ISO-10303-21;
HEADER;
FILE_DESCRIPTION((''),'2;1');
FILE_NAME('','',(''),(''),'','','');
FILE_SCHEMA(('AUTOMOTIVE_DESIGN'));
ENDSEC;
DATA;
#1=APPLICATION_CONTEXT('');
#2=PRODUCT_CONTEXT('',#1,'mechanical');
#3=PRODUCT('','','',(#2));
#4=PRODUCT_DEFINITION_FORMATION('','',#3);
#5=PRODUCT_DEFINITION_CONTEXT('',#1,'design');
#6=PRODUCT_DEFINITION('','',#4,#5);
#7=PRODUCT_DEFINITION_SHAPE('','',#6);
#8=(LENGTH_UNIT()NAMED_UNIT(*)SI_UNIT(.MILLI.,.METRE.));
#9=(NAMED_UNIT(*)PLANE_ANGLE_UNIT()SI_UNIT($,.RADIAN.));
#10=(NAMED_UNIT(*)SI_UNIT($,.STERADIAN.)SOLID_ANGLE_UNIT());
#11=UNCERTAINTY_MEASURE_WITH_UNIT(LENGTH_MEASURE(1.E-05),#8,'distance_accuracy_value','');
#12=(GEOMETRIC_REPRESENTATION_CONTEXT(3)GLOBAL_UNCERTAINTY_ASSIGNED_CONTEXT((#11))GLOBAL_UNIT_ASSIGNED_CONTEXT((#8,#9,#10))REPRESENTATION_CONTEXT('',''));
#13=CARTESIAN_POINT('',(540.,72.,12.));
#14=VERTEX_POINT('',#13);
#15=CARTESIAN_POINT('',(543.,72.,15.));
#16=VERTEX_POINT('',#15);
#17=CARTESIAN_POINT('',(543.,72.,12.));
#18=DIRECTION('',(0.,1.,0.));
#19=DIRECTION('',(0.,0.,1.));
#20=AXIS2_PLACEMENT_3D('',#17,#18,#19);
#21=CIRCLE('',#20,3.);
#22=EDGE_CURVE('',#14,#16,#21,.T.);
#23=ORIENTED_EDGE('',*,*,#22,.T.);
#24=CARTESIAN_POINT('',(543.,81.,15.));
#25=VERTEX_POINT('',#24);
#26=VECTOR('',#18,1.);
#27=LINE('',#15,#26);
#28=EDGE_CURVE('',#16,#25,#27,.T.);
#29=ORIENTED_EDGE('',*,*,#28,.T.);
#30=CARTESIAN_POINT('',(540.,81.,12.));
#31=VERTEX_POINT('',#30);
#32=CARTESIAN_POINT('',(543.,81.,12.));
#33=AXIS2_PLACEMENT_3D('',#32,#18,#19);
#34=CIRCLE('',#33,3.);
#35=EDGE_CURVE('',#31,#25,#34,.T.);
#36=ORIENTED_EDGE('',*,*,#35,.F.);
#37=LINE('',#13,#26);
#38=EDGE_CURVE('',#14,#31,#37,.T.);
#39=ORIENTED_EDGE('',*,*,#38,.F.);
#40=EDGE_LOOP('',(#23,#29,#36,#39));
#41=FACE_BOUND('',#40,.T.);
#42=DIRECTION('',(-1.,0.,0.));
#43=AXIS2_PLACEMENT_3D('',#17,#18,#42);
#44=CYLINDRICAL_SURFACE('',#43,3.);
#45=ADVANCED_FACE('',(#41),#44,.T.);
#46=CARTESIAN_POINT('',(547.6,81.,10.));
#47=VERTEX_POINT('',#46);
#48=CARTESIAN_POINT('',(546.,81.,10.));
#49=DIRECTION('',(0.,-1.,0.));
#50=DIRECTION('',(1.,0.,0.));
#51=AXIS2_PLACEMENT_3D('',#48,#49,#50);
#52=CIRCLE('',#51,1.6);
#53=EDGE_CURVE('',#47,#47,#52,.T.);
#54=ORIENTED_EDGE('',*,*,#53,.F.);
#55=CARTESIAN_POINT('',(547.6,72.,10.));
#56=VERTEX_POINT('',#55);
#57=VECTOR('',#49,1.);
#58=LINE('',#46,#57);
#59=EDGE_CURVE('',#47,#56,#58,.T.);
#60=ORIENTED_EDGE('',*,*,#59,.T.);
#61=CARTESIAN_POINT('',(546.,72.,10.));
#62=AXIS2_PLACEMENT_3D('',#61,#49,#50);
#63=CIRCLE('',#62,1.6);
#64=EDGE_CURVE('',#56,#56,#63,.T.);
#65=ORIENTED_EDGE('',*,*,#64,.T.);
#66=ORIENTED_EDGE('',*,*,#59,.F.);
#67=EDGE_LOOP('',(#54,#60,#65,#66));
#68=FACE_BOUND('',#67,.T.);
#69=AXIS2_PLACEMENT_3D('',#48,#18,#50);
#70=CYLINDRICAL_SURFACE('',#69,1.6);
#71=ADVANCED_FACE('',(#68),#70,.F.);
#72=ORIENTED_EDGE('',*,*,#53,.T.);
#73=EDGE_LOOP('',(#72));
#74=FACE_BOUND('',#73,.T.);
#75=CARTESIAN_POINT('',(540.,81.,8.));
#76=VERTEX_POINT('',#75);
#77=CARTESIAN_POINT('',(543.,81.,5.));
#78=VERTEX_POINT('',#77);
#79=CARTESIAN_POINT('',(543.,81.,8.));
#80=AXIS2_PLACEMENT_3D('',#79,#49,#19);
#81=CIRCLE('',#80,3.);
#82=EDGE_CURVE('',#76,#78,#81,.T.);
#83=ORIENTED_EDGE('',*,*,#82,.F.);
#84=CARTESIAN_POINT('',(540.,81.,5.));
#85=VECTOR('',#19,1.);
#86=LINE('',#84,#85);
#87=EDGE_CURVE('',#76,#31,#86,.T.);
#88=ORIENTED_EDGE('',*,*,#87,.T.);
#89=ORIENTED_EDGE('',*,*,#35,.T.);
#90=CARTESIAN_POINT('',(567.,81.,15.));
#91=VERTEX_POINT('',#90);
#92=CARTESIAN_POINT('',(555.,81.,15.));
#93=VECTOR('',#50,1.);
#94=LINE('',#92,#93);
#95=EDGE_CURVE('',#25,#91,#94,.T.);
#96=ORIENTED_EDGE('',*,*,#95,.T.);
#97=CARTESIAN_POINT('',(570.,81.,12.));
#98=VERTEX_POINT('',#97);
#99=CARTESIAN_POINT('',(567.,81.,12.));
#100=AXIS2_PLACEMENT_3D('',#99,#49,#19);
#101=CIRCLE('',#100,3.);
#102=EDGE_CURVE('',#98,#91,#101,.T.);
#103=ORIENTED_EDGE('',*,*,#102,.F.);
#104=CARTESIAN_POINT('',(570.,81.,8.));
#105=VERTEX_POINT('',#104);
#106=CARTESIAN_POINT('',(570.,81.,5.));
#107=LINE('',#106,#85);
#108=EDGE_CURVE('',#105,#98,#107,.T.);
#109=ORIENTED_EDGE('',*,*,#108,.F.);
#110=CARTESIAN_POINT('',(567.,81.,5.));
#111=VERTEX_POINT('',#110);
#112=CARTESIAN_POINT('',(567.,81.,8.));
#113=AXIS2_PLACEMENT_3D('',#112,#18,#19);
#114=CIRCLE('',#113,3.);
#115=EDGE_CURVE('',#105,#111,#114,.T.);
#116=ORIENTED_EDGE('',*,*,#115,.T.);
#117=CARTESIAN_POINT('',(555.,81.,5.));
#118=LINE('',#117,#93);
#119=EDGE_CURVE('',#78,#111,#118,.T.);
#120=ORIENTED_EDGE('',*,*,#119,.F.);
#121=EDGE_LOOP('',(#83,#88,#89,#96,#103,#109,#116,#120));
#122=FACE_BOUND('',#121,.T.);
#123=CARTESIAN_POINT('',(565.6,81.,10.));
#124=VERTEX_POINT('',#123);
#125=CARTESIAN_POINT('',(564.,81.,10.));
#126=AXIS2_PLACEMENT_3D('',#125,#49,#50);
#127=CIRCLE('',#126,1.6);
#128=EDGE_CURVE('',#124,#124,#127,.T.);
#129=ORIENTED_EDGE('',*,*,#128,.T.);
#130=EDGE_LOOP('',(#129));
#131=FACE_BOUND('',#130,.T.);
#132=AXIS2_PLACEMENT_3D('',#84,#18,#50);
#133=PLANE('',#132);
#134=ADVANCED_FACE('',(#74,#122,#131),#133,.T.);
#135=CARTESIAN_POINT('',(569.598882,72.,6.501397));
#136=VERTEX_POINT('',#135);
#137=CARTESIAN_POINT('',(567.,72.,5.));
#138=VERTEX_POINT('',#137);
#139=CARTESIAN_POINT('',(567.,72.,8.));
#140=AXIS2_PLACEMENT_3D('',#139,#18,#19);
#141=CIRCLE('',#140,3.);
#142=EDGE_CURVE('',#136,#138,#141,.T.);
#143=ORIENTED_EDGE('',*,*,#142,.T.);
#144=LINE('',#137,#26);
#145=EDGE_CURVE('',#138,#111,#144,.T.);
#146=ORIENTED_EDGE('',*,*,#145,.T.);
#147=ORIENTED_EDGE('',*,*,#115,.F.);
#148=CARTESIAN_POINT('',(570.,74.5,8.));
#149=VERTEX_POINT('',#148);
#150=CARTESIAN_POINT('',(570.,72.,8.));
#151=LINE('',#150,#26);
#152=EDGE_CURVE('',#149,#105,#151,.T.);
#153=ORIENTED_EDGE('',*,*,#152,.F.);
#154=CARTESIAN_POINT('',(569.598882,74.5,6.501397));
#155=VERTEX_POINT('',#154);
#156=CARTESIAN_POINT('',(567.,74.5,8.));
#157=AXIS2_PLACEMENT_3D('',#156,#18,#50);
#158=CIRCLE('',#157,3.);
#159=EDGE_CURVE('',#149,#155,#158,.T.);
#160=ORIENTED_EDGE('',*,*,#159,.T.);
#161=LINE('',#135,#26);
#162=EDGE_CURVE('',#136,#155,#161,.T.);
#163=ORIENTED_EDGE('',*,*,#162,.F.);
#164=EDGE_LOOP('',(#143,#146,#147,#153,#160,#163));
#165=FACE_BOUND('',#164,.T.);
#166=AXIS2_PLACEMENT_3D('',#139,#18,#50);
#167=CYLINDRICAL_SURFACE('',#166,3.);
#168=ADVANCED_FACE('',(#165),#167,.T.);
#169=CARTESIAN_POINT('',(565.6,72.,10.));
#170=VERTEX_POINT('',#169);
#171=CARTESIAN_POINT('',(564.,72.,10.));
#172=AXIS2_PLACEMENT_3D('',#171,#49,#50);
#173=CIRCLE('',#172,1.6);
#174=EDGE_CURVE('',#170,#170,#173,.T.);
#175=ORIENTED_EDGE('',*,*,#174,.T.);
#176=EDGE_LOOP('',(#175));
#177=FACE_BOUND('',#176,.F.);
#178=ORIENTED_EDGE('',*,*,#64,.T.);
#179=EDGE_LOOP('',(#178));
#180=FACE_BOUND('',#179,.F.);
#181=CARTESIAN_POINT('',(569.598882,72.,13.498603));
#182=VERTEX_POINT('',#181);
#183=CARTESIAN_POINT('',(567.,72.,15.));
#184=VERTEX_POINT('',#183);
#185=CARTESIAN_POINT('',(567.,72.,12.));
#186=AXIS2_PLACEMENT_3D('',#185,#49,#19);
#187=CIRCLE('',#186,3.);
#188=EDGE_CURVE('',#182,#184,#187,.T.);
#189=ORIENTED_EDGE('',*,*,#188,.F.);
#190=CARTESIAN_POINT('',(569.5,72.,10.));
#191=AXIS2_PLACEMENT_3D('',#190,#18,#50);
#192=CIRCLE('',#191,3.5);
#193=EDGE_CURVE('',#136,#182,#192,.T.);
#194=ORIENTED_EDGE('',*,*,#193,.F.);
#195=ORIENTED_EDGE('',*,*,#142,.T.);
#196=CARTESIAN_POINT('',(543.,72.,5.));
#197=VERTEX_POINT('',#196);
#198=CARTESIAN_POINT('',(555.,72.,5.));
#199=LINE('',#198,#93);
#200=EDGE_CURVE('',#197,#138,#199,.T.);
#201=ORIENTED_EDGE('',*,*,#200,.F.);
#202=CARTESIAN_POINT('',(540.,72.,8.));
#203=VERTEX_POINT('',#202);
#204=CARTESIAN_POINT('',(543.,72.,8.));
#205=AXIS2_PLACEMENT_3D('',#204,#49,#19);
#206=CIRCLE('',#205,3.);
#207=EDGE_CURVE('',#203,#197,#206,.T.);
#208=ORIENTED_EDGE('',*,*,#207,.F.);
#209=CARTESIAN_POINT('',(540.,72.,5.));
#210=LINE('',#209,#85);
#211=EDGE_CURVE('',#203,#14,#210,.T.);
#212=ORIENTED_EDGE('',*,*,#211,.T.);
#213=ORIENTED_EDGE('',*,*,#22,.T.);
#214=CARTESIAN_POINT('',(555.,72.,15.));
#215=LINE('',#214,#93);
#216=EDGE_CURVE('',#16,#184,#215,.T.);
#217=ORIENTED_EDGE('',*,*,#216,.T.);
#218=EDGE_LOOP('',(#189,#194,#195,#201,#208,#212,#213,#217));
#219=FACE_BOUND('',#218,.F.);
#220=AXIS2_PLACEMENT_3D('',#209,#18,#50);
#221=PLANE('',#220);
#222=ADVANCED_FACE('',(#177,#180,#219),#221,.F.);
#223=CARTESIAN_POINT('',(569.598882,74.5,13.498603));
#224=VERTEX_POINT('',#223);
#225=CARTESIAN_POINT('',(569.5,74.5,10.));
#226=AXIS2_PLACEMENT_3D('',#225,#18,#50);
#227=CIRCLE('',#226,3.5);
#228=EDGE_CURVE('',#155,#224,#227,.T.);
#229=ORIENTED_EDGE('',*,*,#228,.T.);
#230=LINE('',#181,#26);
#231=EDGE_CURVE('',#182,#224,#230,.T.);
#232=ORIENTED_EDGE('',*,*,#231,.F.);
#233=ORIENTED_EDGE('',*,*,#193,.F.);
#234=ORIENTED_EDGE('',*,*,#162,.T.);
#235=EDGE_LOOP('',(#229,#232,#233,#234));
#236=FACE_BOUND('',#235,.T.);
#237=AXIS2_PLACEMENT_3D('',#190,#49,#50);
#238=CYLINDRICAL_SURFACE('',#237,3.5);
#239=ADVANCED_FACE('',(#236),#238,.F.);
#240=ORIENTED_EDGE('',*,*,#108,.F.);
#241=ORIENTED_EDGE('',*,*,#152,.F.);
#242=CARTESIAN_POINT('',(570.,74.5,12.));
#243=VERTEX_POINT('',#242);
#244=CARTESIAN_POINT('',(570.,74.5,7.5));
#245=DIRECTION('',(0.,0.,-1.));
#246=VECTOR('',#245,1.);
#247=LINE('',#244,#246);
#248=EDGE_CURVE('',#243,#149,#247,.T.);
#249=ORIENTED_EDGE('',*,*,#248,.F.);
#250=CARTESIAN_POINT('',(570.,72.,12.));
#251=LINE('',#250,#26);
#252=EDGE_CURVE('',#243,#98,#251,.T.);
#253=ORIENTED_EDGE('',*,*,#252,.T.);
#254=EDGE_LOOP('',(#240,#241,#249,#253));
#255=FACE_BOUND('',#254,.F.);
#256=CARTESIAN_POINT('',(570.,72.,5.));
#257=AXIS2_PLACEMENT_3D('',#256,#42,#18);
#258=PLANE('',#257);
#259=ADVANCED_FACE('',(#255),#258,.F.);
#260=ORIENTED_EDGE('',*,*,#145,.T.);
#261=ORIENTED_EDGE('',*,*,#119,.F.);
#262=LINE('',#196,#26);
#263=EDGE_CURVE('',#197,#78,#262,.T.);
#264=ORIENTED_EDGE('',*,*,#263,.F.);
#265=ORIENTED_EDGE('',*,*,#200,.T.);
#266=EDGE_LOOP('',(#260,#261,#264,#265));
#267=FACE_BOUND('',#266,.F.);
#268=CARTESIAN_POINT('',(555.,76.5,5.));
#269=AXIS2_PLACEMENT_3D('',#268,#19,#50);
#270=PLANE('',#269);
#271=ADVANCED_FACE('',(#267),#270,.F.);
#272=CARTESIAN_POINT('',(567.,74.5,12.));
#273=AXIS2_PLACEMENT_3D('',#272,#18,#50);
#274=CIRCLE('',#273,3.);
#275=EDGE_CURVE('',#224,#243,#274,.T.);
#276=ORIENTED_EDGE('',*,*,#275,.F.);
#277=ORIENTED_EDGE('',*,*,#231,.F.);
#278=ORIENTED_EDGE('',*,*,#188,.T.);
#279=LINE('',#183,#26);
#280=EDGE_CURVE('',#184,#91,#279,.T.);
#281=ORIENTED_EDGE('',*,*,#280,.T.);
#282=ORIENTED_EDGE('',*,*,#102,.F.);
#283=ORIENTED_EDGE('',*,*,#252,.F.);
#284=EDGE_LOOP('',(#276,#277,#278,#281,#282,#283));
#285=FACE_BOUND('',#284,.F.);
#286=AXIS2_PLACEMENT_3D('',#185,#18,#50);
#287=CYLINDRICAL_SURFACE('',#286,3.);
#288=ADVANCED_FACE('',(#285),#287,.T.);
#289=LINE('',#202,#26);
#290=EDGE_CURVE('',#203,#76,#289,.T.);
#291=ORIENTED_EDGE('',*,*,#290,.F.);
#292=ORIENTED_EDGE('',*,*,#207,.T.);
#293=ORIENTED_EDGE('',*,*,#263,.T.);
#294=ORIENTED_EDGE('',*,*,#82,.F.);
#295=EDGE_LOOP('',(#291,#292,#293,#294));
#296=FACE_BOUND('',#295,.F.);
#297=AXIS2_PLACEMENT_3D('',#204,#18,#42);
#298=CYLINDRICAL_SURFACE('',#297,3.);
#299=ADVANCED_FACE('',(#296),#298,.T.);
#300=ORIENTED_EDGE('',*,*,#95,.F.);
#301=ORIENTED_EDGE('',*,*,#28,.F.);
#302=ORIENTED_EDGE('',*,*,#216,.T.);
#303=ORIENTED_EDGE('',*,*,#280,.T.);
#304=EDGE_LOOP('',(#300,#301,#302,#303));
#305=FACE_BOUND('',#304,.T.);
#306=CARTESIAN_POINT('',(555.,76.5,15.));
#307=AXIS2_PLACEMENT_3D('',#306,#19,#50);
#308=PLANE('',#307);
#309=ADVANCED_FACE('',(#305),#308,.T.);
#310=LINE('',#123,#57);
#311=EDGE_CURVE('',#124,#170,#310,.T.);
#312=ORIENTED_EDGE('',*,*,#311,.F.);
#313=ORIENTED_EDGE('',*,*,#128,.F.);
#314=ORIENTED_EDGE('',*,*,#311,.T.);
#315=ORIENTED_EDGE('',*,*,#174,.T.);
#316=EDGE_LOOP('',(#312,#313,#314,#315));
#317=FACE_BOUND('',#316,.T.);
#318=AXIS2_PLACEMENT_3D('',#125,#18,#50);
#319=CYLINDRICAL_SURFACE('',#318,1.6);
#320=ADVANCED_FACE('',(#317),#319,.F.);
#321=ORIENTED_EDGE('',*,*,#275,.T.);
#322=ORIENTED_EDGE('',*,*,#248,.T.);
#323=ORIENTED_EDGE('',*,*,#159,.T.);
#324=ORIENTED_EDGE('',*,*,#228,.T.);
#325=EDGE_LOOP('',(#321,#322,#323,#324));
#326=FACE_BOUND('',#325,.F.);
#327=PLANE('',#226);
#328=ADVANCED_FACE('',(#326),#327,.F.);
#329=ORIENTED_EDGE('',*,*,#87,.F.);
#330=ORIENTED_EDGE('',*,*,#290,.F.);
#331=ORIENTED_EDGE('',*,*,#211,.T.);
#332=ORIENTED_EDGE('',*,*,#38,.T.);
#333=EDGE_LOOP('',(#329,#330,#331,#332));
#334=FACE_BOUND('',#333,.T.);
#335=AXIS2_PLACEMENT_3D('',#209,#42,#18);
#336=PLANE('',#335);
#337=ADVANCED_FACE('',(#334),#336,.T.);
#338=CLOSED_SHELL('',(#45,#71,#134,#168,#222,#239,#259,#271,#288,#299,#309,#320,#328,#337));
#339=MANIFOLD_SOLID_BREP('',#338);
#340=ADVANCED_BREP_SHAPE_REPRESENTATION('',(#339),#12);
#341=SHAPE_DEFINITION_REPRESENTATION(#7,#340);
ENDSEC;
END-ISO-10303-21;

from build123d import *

# Parameters (mm, degrees)
CYLINDER464_R     = 3.5
CYLINDER464_DEPTH = 2.5
CYLINDER152_R     = 1.6
CYLINDER152_DEPTH = 9
CYLINDER153_R     = 1.6
CYLINDER153_DEPTH = 9
CYLINDER154_R     = 1.6
CYLINDER154_DEPTH = 9
CYLINDER155_R     = 1.6
CYLINDER155_DEPTH = 9
BOX072_W          = 30
BOX072_H          = 9
BOX072_DEPTH      = 10
FILLET037_R       = 3


with BuildPart() as cylinder578:
    # Cylinder464 → Cylinder464 (new body)
    with BuildSketch(Plane(origin=(569.5, 72, 10), x_dir=(1, 0, 0), z_dir=(0, 1, 0))):
        Circle(CYLINDER464_R)
    extrude(amount=CYLINDER464_DEPTH)


with BuildPart() as cylinder152:
    # Cylinder152 → Cylinder152 (new body)
    with BuildSketch(Plane(origin=(555, -5, 10), x_dir=(1, 0, 0), z_dir=(0, -1, 0))):
        Circle(CYLINDER152_R)
    extrude(amount=CYLINDER152_DEPTH)


with BuildPart() as fusion138:
    # Cylinder153 → Cylinder153 (new body)
    with BuildSketch(Plane(origin=(450, -5, 10), x_dir=(1, 0, 0), z_dir=(0, -1, 0))):
        Circle(CYLINDER153_R)
    extrude(amount=CYLINDER153_DEPTH)

    # Fusion138: union Cylinder152
    add(cylinder152.part)


with BuildPart() as fusion138_1:
    # Fusion138 placement: moved
    add(fusion138.part.moved(Location((-9, 5, 0))))


with BuildPart() as cylinder154:
    # Cylinder154 → Cylinder154 (new body)
    with BuildSketch(Plane(origin=(555, -5, 10), x_dir=(1, 0, 0), z_dir=(0, -1, 0))):
        Circle(CYLINDER154_R)
    extrude(amount=CYLINDER154_DEPTH)


with BuildPart() as fusion141:
    # Cylinder155 → Cylinder155 (new body)
    with BuildSketch(Plane(origin=(450, -5, 10), x_dir=(1, 0, 0), z_dir=(0, -1, 0))):
        Circle(CYLINDER155_R)
    extrude(amount=CYLINDER155_DEPTH)

    # Fusion139: union Cylinder154
    add(cylinder154.part)


with BuildPart() as fusion141_1:
    # Fusion139 placement: moved
    add(fusion141.part.moved(Location((9, 5, 0))))

    # Fusion141: union Fusion138
    add(fusion138_1.part)


with BuildPart() as fender_spacer_rear_right:
    # Box072 → Box072 (new body)
    with BuildSketch(Plane(origin=(435, -9, 5), x_dir=(1, 0, 0), z_dir=(0, 0, 1))):
        with Locations((15, 4.5)):
            Rectangle(BOX072_W, BOX072_H)
    extrude(amount=BOX072_DEPTH)

    # Fillet037
    fillet037_edges = [fender_spacer_rear_right.edges().sort_by_distance(p)[0] for p in [
        (435, -4.5, 15),
        (435, -4.5, 5),
        (465, -4.5, 15),
        (465, -4.5, 5),
    ]]
    fillet(fillet037_edges, radius=FILLET037_R)


with BuildPart() as fender_spacer_rear_right_1:
    # Fillet037 placement: moved
    add(fender_spacer_rear_right.part.moved(Location((105, 0, 0))))

    # Cut087: cut Fusion141
    add(fusion141_1.part, mode=Mode.SUBTRACT)


with BuildPart() as fender_spacer_rear_right_2:
    # Cut087 placement: moved
    add(fender_spacer_rear_right_1.part.moved(Location((0, 81, 0))))

    # Cut320: cut Cylinder578
    add(cylinder578.part, mode=Mode.SUBTRACT)


solid = fender_spacer_rear_right_2.part
